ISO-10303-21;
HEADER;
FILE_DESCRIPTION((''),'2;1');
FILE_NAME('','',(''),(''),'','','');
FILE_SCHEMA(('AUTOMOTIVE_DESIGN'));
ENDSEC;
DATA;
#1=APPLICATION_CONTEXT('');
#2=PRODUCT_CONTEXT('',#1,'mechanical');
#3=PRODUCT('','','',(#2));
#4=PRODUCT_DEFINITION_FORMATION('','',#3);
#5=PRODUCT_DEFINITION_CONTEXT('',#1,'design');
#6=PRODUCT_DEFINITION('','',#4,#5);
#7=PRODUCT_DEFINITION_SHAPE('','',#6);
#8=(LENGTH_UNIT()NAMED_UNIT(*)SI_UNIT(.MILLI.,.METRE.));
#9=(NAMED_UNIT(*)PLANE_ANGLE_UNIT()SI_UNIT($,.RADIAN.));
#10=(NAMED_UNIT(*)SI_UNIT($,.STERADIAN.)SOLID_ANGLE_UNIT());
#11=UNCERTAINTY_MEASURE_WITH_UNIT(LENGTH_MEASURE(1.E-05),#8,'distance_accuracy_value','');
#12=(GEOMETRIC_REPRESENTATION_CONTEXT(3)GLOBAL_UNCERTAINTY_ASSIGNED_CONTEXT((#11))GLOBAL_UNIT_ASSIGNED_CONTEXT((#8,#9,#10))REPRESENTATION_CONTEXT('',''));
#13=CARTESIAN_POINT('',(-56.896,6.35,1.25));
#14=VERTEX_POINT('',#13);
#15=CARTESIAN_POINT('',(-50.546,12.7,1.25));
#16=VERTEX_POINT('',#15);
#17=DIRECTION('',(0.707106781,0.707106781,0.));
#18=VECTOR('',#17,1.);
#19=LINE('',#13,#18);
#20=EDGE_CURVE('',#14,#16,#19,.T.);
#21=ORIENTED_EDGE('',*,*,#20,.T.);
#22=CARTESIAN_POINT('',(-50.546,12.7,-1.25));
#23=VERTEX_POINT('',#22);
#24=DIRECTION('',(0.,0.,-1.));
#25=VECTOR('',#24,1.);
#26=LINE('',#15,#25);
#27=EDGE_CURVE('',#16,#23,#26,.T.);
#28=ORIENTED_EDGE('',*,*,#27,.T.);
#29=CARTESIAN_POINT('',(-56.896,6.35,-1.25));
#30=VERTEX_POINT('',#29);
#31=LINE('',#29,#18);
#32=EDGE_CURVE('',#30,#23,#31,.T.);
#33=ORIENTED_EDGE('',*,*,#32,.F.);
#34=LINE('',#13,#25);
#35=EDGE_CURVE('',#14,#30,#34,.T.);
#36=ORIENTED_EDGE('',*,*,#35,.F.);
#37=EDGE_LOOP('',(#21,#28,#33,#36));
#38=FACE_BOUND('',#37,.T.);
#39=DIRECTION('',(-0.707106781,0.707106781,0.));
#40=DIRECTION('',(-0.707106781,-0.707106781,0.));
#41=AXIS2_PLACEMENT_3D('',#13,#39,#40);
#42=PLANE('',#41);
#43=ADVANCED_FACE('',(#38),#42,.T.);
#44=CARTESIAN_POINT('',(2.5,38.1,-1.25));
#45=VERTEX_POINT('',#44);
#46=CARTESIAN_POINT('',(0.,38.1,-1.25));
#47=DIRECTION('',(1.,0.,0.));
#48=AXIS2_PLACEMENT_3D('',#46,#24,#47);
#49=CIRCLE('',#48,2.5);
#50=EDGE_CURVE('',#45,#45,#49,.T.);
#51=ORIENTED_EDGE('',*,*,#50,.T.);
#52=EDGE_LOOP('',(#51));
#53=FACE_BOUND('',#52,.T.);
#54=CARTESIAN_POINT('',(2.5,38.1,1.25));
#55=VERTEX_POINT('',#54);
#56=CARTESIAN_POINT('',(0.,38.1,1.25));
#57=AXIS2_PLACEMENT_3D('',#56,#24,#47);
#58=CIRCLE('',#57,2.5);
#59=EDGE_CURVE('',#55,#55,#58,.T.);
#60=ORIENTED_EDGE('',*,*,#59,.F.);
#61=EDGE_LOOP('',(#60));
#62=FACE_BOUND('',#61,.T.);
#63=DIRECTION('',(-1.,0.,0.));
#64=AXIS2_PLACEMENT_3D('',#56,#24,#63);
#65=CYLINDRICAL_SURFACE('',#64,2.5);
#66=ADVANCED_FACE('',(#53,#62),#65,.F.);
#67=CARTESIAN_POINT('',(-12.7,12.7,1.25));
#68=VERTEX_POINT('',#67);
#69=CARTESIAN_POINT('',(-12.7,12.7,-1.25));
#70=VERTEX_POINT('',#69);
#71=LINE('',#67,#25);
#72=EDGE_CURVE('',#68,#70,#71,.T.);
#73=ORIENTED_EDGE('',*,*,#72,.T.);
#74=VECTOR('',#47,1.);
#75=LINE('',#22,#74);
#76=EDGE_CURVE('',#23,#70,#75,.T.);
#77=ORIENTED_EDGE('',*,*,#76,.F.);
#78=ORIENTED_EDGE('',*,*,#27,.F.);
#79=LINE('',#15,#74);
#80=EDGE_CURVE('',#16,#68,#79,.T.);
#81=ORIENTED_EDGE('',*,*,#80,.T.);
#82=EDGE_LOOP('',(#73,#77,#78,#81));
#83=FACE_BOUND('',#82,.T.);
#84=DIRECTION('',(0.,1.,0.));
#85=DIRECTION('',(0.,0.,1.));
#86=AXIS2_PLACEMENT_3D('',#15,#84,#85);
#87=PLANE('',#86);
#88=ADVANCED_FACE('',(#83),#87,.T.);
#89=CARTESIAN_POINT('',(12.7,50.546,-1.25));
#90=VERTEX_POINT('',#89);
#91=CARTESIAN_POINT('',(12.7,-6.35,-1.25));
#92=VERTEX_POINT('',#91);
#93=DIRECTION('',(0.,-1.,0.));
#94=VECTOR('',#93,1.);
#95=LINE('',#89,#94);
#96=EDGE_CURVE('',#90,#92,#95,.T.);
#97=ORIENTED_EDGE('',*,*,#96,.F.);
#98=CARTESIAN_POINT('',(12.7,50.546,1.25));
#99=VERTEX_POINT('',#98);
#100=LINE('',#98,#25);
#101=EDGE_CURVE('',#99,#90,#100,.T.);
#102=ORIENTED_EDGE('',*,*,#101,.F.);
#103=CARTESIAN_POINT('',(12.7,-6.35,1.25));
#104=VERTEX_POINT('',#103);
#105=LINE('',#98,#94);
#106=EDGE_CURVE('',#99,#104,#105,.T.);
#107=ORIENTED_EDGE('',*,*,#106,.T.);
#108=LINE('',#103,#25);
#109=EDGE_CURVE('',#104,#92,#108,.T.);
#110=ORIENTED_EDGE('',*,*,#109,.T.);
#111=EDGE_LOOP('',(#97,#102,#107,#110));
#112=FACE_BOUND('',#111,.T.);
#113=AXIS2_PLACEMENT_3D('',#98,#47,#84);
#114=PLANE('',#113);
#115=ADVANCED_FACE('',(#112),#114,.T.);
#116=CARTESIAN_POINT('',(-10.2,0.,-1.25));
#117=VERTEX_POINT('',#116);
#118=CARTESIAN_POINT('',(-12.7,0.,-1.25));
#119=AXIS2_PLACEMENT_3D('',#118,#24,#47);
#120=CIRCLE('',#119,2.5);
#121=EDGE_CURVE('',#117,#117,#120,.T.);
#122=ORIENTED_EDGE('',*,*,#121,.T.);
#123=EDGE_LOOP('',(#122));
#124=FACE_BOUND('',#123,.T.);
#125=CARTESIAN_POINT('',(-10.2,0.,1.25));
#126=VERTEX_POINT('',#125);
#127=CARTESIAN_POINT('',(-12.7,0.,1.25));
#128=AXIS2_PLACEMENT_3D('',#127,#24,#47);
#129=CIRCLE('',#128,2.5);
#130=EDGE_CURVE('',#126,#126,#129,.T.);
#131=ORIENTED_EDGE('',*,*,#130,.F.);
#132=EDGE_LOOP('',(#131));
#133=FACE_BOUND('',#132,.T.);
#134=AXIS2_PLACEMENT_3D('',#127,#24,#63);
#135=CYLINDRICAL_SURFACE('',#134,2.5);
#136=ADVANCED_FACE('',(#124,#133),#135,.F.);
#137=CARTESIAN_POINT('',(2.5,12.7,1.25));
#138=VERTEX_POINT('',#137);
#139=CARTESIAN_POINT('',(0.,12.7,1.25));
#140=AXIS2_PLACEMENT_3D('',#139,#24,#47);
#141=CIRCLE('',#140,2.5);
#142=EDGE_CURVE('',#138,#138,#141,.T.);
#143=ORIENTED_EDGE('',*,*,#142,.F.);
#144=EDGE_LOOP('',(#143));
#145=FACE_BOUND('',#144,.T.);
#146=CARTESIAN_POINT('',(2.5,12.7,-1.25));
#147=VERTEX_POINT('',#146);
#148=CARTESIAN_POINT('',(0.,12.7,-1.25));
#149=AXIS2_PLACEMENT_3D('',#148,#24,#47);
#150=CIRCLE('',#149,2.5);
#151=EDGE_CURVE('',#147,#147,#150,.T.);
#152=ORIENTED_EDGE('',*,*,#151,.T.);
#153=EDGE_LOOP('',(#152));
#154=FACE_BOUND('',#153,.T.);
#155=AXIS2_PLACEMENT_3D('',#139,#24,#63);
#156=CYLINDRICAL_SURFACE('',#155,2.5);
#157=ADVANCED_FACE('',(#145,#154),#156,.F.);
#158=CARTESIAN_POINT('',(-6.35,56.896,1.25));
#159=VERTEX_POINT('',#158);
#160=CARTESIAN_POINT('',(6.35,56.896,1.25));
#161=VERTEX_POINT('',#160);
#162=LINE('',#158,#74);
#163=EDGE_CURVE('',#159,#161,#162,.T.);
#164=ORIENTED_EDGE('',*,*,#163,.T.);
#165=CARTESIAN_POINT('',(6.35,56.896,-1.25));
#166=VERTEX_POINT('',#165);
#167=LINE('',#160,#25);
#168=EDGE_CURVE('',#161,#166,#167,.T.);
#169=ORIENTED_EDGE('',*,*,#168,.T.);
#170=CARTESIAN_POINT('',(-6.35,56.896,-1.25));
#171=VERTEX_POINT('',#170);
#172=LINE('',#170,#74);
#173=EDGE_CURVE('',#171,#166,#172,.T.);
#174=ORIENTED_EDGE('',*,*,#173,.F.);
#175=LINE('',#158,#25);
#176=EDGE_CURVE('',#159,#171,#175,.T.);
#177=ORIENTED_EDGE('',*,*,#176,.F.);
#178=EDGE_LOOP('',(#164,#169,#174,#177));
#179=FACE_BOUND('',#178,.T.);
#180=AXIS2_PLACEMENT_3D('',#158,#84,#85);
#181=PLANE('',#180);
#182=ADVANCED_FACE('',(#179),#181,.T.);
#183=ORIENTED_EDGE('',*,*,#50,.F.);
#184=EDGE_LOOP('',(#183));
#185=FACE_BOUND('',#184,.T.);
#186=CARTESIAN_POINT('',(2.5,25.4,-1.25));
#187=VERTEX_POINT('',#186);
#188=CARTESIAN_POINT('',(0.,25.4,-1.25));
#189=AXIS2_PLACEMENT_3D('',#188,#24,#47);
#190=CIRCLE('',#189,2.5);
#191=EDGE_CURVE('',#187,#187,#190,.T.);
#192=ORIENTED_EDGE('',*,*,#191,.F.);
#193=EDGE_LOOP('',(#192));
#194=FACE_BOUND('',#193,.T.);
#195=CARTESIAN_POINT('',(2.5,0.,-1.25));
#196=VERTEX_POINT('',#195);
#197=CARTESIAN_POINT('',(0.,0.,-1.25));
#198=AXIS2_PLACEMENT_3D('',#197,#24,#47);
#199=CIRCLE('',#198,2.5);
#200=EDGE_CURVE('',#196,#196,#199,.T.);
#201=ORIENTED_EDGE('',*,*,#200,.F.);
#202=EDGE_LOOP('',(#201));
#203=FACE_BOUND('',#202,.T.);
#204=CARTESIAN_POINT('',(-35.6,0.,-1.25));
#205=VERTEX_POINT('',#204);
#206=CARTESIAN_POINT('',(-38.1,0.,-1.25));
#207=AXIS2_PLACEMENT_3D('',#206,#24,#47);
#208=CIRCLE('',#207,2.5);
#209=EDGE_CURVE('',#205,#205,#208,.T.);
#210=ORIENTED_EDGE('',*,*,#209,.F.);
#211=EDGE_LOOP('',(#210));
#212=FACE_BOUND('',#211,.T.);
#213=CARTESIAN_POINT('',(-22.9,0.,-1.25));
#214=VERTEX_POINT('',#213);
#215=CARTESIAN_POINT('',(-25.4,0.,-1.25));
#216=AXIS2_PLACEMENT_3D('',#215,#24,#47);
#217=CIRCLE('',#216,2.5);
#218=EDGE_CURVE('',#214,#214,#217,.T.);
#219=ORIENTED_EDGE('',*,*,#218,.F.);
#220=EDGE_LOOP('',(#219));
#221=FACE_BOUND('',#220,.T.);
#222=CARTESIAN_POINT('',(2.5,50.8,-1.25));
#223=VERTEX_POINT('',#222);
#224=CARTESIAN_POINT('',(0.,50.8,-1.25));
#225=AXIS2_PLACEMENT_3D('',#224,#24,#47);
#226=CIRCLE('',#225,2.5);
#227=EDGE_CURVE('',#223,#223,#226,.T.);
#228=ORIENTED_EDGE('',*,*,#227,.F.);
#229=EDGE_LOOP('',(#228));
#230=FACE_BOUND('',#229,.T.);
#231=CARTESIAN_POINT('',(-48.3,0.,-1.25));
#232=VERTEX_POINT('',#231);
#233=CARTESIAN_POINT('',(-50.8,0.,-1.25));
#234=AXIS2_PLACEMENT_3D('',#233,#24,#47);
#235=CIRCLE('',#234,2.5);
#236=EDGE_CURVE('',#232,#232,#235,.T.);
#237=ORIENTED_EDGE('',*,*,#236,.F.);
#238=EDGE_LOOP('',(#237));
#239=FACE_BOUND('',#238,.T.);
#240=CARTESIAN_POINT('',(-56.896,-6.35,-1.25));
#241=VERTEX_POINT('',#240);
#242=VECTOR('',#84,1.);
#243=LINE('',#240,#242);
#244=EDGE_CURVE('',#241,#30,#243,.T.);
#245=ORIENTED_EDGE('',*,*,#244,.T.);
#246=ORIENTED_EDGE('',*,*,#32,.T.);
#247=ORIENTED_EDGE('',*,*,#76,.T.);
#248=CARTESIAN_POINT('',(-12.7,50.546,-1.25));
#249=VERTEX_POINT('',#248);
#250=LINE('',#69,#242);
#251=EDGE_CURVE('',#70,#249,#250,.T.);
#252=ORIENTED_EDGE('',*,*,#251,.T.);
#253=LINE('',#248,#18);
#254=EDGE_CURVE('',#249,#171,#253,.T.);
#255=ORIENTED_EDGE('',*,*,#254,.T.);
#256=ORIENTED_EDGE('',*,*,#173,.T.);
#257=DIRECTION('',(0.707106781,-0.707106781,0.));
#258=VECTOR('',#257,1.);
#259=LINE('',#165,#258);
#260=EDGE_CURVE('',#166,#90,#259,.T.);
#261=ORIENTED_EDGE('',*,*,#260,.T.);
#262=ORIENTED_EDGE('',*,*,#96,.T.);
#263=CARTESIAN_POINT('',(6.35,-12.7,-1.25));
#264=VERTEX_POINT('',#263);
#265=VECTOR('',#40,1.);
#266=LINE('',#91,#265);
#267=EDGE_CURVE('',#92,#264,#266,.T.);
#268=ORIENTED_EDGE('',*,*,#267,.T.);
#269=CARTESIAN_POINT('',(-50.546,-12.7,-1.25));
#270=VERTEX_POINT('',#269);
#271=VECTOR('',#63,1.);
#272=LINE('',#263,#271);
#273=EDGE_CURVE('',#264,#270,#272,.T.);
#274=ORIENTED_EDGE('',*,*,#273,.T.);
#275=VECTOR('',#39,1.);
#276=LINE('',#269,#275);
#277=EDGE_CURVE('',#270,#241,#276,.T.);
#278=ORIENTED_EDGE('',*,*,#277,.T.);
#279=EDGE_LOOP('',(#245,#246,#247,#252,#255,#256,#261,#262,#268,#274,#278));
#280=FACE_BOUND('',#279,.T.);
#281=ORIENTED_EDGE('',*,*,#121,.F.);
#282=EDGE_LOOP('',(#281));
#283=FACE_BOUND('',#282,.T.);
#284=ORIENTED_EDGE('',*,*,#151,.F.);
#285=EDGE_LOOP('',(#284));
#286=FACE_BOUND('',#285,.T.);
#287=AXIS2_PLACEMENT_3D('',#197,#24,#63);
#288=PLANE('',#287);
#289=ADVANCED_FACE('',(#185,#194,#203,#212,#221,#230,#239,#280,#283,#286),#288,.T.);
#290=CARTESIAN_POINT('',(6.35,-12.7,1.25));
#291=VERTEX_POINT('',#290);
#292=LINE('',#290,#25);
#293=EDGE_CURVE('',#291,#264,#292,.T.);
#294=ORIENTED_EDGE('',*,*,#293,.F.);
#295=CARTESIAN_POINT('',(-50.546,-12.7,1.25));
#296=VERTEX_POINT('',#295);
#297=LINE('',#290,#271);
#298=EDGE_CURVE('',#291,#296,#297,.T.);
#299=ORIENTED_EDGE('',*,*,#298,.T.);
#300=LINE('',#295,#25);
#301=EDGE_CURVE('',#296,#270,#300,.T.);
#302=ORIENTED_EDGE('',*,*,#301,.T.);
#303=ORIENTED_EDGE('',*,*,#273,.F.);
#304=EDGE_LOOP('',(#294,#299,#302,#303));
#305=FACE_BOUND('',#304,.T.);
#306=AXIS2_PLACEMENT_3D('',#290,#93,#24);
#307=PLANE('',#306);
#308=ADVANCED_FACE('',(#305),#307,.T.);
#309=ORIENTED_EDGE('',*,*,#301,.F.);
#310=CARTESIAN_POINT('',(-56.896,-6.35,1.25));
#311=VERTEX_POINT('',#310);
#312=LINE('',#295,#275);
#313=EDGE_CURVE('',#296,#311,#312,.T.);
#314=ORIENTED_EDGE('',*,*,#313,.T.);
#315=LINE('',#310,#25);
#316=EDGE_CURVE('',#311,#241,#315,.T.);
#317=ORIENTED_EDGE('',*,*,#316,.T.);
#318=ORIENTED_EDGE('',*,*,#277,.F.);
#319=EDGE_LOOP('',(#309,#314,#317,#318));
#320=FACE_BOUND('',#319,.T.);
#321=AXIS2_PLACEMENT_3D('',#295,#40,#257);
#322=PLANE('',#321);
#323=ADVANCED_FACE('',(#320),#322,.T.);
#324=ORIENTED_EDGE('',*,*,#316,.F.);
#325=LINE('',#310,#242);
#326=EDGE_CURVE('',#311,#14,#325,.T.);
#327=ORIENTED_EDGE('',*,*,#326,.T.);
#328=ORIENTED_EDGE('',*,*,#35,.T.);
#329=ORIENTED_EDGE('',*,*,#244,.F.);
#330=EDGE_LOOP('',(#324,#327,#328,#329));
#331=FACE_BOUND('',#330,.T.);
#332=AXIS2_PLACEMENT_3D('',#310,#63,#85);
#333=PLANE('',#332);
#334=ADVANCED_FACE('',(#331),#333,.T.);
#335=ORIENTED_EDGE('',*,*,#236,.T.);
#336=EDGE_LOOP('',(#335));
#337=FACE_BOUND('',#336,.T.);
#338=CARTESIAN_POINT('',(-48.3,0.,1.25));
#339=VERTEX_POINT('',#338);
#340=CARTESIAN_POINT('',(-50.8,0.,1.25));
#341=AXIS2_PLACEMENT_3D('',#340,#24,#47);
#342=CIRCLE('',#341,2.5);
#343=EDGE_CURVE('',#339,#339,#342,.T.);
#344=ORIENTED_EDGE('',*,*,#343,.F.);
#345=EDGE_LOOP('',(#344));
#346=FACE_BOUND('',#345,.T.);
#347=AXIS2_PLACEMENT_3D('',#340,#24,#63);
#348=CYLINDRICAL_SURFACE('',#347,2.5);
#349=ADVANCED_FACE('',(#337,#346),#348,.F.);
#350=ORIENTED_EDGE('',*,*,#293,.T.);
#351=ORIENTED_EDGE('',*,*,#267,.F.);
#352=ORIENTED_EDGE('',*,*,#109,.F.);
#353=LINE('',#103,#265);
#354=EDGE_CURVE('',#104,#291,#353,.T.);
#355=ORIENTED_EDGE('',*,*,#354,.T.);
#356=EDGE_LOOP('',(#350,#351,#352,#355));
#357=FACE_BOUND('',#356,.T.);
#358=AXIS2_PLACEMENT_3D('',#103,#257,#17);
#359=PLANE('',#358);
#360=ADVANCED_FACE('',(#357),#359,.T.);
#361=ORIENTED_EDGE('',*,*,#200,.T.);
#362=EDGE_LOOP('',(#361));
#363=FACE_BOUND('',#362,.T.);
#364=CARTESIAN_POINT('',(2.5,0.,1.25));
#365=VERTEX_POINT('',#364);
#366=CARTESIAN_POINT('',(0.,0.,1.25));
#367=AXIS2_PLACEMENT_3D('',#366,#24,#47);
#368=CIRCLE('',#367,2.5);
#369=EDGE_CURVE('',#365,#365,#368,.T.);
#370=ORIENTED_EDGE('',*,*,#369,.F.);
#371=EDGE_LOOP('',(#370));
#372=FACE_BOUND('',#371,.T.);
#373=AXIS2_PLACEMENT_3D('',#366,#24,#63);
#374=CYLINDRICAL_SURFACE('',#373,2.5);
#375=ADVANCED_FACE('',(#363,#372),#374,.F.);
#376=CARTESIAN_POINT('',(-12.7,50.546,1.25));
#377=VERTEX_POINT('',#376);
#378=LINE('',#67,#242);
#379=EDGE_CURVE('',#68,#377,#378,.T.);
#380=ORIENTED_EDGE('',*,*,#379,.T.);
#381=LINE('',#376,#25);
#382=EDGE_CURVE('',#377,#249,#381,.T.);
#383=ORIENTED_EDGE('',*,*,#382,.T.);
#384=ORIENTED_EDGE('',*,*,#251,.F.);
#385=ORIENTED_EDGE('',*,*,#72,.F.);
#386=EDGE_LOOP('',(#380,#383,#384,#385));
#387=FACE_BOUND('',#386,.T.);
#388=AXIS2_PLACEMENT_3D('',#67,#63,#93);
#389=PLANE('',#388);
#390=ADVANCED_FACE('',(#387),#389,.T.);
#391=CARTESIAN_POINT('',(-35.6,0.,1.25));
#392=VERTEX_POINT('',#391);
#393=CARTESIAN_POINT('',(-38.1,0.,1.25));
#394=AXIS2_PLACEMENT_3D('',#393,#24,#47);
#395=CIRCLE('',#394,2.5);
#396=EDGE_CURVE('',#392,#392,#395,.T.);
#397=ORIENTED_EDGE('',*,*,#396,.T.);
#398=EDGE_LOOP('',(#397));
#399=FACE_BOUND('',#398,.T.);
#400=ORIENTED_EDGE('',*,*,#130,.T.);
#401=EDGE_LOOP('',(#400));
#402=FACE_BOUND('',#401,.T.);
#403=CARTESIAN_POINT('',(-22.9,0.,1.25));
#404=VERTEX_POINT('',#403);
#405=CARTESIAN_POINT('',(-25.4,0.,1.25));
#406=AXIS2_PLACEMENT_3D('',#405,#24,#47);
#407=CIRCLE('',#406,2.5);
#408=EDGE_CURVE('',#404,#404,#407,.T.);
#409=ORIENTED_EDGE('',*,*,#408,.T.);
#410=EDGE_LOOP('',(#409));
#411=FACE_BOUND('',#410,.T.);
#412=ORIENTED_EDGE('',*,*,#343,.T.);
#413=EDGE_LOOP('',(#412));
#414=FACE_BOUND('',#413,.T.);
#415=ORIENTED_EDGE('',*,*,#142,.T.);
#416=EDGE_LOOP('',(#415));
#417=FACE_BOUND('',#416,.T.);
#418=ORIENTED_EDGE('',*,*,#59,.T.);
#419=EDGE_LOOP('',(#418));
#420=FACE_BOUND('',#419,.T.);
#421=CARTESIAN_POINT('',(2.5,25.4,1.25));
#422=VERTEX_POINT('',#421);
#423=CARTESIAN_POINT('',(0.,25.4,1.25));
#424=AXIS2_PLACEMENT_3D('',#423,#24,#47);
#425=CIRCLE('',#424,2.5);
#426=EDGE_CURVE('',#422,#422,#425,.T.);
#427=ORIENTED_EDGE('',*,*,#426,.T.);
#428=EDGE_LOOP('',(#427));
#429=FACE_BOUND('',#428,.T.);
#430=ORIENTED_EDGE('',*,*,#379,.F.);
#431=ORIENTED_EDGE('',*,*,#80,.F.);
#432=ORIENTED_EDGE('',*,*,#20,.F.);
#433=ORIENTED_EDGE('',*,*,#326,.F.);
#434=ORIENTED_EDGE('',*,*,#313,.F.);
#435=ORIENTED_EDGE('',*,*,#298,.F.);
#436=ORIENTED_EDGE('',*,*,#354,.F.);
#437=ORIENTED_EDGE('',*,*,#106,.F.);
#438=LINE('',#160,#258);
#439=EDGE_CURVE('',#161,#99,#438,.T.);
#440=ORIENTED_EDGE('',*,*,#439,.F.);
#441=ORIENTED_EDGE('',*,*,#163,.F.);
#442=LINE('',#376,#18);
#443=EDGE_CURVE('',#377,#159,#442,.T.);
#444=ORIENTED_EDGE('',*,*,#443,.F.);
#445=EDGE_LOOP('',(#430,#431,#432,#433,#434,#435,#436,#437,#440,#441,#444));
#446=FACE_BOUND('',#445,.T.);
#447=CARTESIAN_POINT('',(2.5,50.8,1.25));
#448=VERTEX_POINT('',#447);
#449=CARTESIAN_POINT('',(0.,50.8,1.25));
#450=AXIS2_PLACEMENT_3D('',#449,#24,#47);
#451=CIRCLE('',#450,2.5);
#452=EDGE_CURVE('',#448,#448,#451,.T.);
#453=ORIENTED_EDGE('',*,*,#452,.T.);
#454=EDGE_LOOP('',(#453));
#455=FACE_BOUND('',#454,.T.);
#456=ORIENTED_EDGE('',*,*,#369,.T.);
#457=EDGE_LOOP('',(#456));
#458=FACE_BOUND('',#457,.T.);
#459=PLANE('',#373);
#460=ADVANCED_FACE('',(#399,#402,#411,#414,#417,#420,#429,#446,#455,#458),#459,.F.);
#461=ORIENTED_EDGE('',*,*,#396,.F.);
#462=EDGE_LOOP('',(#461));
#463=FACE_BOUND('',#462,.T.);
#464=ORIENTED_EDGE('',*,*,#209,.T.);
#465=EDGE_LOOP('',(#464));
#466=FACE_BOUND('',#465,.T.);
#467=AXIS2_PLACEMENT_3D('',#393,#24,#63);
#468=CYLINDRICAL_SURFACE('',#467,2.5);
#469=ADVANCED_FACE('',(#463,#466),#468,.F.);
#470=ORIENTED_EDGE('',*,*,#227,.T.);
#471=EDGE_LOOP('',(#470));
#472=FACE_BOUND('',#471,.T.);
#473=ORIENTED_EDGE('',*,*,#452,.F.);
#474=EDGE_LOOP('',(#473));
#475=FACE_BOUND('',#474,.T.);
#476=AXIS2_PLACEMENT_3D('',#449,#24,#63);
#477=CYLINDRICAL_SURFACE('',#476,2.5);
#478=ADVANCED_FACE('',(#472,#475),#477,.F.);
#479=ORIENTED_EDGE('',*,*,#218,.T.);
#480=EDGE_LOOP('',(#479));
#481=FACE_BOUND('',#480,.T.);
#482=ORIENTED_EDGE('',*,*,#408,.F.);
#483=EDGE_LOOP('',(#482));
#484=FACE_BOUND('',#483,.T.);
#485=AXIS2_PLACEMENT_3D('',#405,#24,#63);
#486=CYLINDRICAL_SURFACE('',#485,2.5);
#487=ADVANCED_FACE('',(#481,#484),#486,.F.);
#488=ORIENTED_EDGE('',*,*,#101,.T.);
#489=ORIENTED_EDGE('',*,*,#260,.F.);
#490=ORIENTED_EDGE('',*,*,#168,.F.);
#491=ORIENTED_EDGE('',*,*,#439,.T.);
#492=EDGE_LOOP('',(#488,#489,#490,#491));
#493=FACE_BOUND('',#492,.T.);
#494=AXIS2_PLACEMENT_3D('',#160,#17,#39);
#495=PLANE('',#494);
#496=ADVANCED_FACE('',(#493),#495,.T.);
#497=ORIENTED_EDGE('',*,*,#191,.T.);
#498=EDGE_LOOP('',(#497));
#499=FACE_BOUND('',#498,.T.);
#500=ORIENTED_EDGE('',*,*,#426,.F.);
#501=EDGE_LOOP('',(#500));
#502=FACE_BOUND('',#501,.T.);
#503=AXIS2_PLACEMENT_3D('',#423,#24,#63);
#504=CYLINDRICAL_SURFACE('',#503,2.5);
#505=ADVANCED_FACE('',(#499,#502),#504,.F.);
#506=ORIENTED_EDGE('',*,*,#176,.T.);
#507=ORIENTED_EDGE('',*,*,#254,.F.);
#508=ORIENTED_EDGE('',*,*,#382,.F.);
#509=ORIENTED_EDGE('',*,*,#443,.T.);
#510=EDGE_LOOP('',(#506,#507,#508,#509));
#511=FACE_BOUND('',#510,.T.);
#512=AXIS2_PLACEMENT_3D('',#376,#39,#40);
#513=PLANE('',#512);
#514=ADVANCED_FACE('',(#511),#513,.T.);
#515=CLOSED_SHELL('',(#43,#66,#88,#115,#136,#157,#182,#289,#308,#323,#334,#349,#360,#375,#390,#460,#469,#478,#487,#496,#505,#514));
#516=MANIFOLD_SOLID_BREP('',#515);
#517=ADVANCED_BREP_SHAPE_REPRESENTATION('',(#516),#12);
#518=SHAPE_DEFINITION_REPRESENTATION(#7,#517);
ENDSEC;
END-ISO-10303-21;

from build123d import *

# Parameters (mm, degrees)
SKETCH1_R           = 2.5
BOSS_EXTRUDE1_DEPTH = 2.5


with BuildPart() as part:
    # Sketch1 → Boss-Extrude1 (new body)
    with BuildSketch(Plane(origin=(0, 0, -1.25), x_dir=(-1, 0, 0), z_dir=(0, 0, -1))):
        Polygon((-6.35, -12.7), (50.546, -12.7), (56.896, -6.35), (56.896, 6.35), (50.546, 12.7), (12.7, 12.7), (12.7, 50.546), (6.35, 56.896), (-6.35, 56.896), (-12.7, 50.546), (-12.7, -6.35), align=None)
        with Locations((0, 12.7)):
            Circle(SKETCH1_R, mode=Mode.SUBTRACT)
        with Locations((0, 25.4)):
            Circle(SKETCH1_R, mode=Mode.SUBTRACT)
        with Locations((12.7, 0)):
            Circle(SKETCH1_R, mode=Mode.SUBTRACT)
        with Locations((25.4, 0)):
            Circle(SKETCH1_R, mode=Mode.SUBTRACT)
        Circle(SKETCH1_R, mode=Mode.SUBTRACT)
        with Locations((50.8, 0)):
            Circle(SKETCH1_R, mode=Mode.SUBTRACT)
        with Locations((38.1, 0)):
            Circle(SKETCH1_R, mode=Mode.SUBTRACT)
        with Locations((0, 50.8)):
            Circle(SKETCH1_R, mode=Mode.SUBTRACT)
        with Locations((0, 38.1)):
            Circle(SKETCH1_R, mode=Mode.SUBTRACT)
    extrude(amount=-BOSS_EXTRUDE1_DEPTH)


solid = part.part
